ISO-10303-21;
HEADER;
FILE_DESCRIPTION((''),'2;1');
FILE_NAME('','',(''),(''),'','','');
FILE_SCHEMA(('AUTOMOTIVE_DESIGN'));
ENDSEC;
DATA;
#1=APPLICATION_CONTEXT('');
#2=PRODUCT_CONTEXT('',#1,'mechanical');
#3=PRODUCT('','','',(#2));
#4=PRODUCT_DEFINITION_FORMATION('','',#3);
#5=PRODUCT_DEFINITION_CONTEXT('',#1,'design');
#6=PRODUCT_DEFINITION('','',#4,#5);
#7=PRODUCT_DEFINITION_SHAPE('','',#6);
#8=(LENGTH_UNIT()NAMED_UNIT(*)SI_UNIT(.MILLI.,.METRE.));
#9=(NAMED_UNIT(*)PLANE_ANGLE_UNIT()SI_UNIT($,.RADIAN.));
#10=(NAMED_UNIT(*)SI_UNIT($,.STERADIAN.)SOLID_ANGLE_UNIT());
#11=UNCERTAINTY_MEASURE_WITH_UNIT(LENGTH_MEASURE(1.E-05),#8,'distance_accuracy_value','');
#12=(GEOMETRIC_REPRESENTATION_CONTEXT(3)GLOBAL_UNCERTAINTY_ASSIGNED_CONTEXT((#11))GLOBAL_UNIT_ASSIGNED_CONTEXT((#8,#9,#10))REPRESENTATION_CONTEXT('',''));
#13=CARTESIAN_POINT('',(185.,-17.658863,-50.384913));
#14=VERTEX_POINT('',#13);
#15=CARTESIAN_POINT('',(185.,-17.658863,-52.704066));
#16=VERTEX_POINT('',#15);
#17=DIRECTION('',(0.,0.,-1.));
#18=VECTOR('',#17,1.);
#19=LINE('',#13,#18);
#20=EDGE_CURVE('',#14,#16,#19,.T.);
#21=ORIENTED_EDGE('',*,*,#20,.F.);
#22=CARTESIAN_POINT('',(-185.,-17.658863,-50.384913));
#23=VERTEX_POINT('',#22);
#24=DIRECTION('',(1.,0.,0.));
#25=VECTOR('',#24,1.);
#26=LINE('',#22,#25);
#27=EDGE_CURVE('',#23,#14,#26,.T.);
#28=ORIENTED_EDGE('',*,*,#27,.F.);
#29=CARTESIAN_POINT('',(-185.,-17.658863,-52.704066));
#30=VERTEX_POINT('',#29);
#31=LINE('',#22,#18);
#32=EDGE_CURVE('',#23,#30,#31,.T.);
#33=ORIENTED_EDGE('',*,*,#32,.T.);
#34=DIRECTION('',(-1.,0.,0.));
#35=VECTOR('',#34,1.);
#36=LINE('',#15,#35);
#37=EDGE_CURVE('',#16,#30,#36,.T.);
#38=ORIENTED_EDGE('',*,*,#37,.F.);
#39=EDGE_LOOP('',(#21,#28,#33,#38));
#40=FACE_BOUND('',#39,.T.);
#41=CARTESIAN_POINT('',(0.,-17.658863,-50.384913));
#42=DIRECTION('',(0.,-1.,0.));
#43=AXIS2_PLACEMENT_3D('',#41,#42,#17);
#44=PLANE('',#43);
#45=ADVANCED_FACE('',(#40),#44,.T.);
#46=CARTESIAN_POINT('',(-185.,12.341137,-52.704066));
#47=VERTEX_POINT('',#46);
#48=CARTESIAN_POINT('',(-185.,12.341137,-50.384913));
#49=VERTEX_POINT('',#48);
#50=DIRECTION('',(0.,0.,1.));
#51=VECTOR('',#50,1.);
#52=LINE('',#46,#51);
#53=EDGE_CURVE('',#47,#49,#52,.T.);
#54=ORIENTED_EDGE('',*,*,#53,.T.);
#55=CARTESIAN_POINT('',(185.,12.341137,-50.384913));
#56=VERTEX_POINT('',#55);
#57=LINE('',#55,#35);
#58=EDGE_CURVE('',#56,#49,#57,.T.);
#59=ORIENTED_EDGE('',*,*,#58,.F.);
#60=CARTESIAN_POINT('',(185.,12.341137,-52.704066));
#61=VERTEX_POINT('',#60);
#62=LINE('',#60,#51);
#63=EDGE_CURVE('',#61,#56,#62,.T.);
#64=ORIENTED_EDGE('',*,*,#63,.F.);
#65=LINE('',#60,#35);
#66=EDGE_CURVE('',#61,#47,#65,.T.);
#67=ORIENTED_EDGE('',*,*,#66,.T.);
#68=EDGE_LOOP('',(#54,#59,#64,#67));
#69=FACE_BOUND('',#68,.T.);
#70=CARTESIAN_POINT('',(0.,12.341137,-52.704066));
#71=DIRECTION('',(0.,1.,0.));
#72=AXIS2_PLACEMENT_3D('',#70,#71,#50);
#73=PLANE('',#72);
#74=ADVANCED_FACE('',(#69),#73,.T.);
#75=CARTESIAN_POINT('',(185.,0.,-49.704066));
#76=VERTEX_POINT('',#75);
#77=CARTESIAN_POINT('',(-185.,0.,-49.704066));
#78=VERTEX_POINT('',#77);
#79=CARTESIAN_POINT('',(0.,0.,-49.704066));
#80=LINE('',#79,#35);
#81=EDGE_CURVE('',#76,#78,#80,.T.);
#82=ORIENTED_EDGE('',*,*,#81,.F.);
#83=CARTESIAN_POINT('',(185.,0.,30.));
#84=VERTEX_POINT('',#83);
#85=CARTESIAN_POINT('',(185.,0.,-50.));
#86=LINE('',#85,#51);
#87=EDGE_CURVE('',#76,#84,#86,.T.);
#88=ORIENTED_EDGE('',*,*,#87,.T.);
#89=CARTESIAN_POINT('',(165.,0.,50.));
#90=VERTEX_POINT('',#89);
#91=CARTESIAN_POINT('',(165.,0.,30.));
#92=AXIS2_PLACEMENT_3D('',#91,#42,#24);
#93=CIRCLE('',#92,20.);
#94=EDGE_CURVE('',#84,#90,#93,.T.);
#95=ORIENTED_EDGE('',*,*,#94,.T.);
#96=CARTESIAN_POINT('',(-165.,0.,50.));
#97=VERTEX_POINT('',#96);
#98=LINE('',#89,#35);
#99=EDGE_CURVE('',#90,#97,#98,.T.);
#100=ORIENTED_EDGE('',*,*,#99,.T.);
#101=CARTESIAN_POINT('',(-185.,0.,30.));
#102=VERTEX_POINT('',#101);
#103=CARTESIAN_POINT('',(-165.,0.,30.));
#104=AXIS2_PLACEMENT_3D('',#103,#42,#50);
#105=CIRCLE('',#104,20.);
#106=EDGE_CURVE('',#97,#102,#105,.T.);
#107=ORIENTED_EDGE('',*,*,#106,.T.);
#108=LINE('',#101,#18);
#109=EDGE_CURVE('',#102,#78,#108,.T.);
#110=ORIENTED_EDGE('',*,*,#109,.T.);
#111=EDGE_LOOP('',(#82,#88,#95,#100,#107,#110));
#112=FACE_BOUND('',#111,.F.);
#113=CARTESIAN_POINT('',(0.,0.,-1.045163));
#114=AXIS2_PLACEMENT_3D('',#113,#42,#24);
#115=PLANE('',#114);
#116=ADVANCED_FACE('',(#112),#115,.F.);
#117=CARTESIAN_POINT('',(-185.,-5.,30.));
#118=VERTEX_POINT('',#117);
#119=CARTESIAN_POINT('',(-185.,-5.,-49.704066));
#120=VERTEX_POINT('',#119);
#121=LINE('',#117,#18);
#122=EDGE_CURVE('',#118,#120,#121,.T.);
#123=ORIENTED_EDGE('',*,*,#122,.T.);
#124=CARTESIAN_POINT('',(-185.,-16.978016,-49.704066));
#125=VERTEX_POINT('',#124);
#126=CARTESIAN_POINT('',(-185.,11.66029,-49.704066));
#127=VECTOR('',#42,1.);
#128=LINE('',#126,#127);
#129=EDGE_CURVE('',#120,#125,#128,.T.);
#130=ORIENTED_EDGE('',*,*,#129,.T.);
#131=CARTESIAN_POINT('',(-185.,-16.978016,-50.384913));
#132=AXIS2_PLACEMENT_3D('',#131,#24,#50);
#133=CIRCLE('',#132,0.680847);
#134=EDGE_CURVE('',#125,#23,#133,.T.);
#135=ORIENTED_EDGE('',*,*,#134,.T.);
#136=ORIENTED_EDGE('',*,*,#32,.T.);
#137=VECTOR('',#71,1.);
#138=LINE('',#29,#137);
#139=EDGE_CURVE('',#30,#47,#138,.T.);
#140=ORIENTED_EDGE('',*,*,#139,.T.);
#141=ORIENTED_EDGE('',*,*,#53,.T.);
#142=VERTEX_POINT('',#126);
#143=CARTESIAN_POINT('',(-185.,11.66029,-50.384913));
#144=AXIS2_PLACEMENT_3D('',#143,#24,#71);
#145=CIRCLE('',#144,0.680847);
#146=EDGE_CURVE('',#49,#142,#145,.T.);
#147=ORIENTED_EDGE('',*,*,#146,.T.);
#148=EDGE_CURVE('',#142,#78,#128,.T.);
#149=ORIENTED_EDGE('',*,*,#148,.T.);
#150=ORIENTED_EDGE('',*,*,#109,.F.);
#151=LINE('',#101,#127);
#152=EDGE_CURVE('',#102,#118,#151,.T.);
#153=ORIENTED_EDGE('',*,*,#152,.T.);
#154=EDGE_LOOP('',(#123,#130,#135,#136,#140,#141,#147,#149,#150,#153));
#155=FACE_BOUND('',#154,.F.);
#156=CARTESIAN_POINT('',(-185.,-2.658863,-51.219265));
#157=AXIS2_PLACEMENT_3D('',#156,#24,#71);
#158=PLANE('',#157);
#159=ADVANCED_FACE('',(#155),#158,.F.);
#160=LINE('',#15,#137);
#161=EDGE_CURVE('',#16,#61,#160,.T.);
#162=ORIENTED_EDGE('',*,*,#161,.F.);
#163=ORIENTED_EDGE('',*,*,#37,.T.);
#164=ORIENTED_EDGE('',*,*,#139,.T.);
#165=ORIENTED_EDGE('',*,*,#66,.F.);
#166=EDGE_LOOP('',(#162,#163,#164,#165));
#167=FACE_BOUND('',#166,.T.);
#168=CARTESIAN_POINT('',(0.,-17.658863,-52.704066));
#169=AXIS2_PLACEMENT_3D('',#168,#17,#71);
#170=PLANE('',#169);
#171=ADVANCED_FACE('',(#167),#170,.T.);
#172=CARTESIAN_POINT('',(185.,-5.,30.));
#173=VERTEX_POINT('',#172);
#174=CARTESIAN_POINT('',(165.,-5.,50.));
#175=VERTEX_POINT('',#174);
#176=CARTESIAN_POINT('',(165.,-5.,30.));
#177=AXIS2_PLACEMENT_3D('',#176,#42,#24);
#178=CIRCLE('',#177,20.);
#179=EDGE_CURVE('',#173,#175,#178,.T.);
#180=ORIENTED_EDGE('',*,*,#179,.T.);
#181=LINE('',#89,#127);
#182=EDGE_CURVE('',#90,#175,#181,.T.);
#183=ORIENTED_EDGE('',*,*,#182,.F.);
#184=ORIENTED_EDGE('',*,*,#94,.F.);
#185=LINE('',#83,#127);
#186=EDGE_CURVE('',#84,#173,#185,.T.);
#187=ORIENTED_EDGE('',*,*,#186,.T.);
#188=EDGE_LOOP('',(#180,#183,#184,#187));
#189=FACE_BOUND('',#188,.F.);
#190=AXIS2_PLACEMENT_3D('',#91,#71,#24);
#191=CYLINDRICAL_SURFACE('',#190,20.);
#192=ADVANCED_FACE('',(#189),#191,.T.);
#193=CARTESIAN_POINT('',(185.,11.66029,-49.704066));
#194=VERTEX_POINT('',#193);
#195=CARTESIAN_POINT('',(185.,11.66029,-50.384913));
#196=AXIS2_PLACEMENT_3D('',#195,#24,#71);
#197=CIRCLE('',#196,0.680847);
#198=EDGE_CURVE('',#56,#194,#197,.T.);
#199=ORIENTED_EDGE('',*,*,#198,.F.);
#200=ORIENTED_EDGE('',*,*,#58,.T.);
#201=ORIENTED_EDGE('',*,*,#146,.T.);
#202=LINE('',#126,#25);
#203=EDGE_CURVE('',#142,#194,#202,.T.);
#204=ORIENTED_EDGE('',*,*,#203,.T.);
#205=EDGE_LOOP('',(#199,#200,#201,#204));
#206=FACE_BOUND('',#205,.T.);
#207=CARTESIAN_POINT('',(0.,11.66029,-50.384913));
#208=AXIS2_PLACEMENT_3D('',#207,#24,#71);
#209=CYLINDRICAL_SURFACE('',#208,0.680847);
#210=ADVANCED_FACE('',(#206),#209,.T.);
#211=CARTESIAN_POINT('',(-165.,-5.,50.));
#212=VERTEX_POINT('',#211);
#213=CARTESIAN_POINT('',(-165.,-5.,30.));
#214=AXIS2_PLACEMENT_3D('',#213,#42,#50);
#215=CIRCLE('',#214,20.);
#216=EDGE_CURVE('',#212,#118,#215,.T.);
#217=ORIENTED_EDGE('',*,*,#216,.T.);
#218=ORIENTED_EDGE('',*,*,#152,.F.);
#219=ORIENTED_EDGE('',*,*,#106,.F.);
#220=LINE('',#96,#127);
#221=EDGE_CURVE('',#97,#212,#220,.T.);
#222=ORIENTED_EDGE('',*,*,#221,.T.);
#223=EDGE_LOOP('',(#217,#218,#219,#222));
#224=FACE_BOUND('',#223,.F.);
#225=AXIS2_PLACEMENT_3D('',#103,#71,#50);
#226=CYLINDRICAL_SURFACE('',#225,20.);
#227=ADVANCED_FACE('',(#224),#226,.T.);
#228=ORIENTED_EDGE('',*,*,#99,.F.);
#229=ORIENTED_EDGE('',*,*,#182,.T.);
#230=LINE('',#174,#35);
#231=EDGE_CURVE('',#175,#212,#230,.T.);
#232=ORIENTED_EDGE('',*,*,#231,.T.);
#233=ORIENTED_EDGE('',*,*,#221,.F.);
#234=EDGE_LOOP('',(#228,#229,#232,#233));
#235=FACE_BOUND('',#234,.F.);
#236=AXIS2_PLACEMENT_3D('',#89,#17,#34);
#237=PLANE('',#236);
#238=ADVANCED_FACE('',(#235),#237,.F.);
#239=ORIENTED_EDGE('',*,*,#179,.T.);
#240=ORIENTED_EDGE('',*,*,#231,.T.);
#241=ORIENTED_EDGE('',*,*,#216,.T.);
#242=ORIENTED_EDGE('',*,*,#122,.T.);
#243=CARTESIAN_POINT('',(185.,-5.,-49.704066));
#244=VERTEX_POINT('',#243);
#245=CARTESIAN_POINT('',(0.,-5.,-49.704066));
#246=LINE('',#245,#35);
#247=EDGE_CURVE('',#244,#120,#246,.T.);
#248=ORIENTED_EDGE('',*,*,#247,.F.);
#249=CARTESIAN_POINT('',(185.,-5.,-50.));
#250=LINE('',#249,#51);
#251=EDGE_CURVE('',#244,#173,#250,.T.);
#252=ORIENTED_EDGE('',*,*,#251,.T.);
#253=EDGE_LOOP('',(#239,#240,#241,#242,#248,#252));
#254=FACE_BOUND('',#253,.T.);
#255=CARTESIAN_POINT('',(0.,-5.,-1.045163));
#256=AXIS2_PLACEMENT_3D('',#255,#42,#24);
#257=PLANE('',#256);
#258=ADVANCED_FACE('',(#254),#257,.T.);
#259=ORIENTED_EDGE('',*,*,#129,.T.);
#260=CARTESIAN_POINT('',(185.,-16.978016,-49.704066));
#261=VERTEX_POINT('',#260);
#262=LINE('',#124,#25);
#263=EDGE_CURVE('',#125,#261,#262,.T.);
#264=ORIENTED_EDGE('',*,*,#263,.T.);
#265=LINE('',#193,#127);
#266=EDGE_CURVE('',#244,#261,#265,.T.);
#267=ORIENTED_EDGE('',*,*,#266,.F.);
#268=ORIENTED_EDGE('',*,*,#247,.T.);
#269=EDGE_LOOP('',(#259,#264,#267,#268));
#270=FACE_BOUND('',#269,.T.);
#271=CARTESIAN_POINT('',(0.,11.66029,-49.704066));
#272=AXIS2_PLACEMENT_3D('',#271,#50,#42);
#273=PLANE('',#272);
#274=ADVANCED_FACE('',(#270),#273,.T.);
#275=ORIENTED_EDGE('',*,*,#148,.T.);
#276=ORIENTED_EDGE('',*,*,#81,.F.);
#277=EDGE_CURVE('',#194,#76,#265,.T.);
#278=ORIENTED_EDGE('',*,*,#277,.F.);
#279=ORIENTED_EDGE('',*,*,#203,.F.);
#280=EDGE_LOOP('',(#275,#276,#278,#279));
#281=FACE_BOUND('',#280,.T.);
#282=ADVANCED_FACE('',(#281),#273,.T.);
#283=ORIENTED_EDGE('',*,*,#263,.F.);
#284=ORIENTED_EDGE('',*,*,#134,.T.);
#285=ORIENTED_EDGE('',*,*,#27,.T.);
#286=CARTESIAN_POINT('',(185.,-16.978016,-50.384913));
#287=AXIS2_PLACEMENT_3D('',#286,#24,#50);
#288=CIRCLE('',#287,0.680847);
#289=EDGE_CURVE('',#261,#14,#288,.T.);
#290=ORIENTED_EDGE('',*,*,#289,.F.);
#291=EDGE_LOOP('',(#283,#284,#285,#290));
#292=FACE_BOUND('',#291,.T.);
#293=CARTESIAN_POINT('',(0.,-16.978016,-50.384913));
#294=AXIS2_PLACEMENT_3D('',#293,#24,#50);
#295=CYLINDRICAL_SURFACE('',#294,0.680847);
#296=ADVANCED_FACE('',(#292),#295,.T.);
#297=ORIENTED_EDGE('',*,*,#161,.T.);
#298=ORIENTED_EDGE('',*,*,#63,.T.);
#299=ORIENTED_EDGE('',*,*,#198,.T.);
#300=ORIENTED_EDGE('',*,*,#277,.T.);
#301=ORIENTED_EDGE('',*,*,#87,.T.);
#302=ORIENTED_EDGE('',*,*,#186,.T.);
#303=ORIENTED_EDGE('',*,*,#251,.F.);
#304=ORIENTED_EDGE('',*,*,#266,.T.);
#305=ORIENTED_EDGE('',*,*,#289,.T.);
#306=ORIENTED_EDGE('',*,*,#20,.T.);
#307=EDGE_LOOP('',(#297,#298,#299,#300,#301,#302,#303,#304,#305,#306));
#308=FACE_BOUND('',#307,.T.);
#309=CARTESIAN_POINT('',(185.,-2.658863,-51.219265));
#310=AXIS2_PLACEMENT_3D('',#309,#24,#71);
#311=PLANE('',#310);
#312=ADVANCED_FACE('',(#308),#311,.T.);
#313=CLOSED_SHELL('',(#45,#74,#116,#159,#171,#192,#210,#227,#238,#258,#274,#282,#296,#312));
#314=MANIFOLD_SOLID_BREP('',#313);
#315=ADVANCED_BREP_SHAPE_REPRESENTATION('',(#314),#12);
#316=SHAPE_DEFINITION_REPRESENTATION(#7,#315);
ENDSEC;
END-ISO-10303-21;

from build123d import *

# Parameters (mm, degrees)
F1_DEPTH = 5
F3_DEPTH = 185


with BuildPart() as f1:
    # F0 (on Front) → F1 (new body)
    with BuildSketch(Plane.XZ):
        with BuildLine():
            ThreePointArc((185, 30), (179.1421356237, 44.1421356237), (165, 50))
            Line((165, 50), (-165, 50))
            ThreePointArc((-165, 50), (-179.1421356237, 44.1421356237), (-185, 30))
            Line((-185, 30), (-185, -50))
            Line((-185, -50), (185, -50))
            Line((185, -50), (185, 30))
        make_face()
    extrude(amount=F1_DEPTH)

    # F2 (on Right) → F3 (join, symmetric)
    with BuildSketch(Plane.YZ):
        with BuildLine():
            ThreePointArc((12.3411369137, -50.3849132597), (12.1417214903, -49.9034818398), (11.6602900704, -49.7040664163))
            Line((11.6602900704, -49.7040664163), (-16.9780162429, -49.7040664163))
            ThreePointArc((-16.9780162429, -49.7040664163), (-17.4594476628, -49.9034818398), (-17.6588630863, -50.3849132597))
            Line((-17.6588630863, -50.3849132597), (-17.6588630863, -52.7040664163))
            Line((-17.6588630863, -52.7040664163), (12.3411369137, -52.7040664163))
            Line((12.3411369137, -52.7040664163), (12.3411369137, -50.3849132597))
        make_face()
    extrude(amount=F3_DEPTH, both=True)


solid = f1.part
